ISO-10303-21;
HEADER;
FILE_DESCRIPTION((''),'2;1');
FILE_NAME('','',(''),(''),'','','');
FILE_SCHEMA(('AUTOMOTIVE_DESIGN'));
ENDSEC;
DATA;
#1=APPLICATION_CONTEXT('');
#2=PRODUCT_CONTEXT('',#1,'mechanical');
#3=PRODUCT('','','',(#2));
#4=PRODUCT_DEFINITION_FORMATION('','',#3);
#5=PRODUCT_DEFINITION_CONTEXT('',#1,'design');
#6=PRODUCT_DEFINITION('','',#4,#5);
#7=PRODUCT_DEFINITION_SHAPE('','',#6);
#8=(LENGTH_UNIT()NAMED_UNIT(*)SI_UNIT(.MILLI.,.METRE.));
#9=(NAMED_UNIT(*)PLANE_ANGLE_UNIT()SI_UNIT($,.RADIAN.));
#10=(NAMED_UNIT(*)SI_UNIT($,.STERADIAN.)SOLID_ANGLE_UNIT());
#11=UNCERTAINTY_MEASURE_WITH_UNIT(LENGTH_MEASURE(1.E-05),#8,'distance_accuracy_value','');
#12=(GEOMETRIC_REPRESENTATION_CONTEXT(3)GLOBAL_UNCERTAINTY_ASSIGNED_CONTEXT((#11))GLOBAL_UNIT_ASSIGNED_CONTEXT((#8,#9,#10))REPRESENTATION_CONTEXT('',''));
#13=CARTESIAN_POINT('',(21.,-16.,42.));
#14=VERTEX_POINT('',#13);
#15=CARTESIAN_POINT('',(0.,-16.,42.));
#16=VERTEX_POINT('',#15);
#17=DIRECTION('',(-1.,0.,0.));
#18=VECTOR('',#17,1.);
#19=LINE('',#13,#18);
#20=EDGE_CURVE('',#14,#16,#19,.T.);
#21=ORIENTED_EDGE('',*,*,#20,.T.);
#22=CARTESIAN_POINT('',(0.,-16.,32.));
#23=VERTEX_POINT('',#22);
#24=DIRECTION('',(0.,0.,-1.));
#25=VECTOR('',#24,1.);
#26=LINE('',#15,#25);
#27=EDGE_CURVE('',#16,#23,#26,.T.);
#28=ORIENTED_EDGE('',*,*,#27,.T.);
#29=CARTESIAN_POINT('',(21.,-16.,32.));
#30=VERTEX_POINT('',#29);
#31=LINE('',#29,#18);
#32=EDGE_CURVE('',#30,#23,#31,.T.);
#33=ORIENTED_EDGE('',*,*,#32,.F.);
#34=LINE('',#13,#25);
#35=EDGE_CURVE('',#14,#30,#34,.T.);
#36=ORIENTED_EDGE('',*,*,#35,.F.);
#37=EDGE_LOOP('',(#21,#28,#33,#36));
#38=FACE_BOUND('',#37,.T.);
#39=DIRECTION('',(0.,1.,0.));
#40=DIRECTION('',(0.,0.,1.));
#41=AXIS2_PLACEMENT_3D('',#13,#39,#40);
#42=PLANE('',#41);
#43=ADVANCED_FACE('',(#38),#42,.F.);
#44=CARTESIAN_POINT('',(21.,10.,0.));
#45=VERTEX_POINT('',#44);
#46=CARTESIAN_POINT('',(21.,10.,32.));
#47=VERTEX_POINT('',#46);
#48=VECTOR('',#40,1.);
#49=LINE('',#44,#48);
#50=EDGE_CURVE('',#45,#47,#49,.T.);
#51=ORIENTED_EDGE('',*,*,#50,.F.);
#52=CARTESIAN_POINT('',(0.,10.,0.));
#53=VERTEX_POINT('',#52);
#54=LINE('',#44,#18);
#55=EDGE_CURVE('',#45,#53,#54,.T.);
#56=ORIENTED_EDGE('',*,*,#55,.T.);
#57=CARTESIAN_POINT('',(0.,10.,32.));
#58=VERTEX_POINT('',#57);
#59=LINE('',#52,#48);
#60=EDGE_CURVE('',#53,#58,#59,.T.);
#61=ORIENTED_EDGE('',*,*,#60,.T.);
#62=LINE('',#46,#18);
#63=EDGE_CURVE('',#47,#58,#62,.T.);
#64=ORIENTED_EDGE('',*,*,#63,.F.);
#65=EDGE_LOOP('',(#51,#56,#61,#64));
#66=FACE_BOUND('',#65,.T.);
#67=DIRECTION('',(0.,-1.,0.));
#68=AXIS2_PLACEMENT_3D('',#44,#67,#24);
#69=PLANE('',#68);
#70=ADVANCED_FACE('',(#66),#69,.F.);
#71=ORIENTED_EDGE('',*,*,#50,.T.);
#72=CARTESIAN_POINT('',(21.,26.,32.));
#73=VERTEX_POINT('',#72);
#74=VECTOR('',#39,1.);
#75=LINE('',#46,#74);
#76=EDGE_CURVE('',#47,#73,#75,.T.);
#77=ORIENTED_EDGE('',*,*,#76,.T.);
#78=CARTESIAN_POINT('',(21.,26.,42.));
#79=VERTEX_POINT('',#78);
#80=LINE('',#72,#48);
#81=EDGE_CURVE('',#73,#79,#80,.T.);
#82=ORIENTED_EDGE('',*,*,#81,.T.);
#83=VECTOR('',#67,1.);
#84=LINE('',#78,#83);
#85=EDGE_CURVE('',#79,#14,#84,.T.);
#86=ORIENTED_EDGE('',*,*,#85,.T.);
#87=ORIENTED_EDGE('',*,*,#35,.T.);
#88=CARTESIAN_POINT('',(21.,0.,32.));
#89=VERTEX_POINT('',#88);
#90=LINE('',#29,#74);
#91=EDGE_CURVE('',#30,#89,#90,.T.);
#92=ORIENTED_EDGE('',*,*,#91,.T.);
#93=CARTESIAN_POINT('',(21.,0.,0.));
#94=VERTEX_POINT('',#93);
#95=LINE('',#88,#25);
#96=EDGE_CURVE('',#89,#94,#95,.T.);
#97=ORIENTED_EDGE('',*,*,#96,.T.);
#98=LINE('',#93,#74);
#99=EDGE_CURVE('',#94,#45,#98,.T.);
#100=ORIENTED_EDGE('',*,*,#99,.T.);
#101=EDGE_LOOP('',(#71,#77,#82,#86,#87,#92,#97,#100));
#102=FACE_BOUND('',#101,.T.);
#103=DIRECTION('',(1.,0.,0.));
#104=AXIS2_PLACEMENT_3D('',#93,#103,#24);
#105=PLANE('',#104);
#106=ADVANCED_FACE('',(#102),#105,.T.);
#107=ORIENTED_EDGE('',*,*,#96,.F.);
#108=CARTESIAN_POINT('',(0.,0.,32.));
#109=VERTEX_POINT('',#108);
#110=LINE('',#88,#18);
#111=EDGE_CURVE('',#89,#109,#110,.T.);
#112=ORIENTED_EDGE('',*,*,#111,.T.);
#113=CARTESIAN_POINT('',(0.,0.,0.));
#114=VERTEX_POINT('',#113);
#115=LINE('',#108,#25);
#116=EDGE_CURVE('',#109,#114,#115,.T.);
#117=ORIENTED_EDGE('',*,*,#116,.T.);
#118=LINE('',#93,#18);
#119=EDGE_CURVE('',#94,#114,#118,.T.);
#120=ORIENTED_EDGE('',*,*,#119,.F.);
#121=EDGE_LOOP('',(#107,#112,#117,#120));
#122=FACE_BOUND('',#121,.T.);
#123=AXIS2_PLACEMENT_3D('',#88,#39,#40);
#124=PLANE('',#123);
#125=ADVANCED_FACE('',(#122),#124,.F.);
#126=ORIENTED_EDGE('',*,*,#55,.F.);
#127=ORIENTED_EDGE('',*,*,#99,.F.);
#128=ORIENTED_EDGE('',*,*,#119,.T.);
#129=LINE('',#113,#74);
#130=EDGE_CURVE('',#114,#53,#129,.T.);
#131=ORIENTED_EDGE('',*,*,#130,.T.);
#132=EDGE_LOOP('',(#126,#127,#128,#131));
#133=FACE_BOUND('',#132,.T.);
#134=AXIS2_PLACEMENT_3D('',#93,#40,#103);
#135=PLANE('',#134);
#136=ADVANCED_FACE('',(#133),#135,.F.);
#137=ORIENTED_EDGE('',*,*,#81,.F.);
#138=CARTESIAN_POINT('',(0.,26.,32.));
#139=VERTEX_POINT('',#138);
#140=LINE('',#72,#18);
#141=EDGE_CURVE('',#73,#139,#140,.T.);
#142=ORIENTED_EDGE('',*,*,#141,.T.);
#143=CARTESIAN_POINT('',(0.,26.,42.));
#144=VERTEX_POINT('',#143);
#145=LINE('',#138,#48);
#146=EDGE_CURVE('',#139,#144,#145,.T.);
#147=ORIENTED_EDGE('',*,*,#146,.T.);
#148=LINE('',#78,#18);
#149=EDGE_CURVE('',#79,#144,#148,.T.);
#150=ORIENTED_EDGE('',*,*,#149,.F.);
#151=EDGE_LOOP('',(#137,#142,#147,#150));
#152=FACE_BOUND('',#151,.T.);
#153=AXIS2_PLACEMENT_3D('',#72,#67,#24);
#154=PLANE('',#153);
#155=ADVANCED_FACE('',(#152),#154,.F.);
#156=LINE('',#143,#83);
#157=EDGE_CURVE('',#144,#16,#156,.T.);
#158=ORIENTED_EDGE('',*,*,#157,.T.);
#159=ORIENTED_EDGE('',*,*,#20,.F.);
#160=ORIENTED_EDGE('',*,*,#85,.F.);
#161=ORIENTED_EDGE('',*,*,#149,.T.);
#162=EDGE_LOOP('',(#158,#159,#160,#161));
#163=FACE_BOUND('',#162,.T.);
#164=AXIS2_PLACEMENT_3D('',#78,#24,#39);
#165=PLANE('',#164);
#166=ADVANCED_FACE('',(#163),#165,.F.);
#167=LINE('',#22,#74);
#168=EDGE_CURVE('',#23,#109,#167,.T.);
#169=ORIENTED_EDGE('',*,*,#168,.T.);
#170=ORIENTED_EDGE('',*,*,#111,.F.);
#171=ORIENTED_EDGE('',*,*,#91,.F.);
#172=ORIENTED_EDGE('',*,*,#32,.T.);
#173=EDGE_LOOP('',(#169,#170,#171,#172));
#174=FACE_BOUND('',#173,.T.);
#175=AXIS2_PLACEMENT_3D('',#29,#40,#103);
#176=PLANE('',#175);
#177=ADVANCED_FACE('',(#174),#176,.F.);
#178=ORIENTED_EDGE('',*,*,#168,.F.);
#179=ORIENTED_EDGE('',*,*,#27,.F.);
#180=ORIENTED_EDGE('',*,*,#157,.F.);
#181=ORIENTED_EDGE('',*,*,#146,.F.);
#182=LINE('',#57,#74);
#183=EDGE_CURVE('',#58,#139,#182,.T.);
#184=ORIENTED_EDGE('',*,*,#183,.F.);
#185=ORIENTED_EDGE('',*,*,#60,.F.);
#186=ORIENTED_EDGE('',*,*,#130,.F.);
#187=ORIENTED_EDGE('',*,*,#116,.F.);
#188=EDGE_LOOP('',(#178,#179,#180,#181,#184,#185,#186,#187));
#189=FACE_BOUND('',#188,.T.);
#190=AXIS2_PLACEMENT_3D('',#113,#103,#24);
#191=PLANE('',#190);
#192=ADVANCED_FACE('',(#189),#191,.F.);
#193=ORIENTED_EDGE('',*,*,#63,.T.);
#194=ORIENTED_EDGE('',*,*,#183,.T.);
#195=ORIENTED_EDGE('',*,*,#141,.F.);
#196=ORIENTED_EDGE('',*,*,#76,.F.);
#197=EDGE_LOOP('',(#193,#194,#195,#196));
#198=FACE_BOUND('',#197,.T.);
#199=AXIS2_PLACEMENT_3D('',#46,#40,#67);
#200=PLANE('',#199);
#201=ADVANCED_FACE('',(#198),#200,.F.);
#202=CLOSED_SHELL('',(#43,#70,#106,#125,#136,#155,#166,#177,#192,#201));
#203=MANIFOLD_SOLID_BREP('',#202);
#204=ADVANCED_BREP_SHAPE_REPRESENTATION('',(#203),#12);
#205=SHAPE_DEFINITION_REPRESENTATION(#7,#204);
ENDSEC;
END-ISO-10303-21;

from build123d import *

# Parameters (mm, degrees)
BOSS_EXTRUDE1_DEPTH = 21


with BuildPart() as part:
    # Sketch1 → Boss-Extrude1 (new body)
    with BuildSketch(Plane.YZ):
        Polygon((0, 0), (10, 0), (10, 32), (26, 32), (26, 42), (-16, 42), (-16, 32), (0, 32), align=None)
    extrude(amount=BOSS_EXTRUDE1_DEPTH)


solid = part.part
